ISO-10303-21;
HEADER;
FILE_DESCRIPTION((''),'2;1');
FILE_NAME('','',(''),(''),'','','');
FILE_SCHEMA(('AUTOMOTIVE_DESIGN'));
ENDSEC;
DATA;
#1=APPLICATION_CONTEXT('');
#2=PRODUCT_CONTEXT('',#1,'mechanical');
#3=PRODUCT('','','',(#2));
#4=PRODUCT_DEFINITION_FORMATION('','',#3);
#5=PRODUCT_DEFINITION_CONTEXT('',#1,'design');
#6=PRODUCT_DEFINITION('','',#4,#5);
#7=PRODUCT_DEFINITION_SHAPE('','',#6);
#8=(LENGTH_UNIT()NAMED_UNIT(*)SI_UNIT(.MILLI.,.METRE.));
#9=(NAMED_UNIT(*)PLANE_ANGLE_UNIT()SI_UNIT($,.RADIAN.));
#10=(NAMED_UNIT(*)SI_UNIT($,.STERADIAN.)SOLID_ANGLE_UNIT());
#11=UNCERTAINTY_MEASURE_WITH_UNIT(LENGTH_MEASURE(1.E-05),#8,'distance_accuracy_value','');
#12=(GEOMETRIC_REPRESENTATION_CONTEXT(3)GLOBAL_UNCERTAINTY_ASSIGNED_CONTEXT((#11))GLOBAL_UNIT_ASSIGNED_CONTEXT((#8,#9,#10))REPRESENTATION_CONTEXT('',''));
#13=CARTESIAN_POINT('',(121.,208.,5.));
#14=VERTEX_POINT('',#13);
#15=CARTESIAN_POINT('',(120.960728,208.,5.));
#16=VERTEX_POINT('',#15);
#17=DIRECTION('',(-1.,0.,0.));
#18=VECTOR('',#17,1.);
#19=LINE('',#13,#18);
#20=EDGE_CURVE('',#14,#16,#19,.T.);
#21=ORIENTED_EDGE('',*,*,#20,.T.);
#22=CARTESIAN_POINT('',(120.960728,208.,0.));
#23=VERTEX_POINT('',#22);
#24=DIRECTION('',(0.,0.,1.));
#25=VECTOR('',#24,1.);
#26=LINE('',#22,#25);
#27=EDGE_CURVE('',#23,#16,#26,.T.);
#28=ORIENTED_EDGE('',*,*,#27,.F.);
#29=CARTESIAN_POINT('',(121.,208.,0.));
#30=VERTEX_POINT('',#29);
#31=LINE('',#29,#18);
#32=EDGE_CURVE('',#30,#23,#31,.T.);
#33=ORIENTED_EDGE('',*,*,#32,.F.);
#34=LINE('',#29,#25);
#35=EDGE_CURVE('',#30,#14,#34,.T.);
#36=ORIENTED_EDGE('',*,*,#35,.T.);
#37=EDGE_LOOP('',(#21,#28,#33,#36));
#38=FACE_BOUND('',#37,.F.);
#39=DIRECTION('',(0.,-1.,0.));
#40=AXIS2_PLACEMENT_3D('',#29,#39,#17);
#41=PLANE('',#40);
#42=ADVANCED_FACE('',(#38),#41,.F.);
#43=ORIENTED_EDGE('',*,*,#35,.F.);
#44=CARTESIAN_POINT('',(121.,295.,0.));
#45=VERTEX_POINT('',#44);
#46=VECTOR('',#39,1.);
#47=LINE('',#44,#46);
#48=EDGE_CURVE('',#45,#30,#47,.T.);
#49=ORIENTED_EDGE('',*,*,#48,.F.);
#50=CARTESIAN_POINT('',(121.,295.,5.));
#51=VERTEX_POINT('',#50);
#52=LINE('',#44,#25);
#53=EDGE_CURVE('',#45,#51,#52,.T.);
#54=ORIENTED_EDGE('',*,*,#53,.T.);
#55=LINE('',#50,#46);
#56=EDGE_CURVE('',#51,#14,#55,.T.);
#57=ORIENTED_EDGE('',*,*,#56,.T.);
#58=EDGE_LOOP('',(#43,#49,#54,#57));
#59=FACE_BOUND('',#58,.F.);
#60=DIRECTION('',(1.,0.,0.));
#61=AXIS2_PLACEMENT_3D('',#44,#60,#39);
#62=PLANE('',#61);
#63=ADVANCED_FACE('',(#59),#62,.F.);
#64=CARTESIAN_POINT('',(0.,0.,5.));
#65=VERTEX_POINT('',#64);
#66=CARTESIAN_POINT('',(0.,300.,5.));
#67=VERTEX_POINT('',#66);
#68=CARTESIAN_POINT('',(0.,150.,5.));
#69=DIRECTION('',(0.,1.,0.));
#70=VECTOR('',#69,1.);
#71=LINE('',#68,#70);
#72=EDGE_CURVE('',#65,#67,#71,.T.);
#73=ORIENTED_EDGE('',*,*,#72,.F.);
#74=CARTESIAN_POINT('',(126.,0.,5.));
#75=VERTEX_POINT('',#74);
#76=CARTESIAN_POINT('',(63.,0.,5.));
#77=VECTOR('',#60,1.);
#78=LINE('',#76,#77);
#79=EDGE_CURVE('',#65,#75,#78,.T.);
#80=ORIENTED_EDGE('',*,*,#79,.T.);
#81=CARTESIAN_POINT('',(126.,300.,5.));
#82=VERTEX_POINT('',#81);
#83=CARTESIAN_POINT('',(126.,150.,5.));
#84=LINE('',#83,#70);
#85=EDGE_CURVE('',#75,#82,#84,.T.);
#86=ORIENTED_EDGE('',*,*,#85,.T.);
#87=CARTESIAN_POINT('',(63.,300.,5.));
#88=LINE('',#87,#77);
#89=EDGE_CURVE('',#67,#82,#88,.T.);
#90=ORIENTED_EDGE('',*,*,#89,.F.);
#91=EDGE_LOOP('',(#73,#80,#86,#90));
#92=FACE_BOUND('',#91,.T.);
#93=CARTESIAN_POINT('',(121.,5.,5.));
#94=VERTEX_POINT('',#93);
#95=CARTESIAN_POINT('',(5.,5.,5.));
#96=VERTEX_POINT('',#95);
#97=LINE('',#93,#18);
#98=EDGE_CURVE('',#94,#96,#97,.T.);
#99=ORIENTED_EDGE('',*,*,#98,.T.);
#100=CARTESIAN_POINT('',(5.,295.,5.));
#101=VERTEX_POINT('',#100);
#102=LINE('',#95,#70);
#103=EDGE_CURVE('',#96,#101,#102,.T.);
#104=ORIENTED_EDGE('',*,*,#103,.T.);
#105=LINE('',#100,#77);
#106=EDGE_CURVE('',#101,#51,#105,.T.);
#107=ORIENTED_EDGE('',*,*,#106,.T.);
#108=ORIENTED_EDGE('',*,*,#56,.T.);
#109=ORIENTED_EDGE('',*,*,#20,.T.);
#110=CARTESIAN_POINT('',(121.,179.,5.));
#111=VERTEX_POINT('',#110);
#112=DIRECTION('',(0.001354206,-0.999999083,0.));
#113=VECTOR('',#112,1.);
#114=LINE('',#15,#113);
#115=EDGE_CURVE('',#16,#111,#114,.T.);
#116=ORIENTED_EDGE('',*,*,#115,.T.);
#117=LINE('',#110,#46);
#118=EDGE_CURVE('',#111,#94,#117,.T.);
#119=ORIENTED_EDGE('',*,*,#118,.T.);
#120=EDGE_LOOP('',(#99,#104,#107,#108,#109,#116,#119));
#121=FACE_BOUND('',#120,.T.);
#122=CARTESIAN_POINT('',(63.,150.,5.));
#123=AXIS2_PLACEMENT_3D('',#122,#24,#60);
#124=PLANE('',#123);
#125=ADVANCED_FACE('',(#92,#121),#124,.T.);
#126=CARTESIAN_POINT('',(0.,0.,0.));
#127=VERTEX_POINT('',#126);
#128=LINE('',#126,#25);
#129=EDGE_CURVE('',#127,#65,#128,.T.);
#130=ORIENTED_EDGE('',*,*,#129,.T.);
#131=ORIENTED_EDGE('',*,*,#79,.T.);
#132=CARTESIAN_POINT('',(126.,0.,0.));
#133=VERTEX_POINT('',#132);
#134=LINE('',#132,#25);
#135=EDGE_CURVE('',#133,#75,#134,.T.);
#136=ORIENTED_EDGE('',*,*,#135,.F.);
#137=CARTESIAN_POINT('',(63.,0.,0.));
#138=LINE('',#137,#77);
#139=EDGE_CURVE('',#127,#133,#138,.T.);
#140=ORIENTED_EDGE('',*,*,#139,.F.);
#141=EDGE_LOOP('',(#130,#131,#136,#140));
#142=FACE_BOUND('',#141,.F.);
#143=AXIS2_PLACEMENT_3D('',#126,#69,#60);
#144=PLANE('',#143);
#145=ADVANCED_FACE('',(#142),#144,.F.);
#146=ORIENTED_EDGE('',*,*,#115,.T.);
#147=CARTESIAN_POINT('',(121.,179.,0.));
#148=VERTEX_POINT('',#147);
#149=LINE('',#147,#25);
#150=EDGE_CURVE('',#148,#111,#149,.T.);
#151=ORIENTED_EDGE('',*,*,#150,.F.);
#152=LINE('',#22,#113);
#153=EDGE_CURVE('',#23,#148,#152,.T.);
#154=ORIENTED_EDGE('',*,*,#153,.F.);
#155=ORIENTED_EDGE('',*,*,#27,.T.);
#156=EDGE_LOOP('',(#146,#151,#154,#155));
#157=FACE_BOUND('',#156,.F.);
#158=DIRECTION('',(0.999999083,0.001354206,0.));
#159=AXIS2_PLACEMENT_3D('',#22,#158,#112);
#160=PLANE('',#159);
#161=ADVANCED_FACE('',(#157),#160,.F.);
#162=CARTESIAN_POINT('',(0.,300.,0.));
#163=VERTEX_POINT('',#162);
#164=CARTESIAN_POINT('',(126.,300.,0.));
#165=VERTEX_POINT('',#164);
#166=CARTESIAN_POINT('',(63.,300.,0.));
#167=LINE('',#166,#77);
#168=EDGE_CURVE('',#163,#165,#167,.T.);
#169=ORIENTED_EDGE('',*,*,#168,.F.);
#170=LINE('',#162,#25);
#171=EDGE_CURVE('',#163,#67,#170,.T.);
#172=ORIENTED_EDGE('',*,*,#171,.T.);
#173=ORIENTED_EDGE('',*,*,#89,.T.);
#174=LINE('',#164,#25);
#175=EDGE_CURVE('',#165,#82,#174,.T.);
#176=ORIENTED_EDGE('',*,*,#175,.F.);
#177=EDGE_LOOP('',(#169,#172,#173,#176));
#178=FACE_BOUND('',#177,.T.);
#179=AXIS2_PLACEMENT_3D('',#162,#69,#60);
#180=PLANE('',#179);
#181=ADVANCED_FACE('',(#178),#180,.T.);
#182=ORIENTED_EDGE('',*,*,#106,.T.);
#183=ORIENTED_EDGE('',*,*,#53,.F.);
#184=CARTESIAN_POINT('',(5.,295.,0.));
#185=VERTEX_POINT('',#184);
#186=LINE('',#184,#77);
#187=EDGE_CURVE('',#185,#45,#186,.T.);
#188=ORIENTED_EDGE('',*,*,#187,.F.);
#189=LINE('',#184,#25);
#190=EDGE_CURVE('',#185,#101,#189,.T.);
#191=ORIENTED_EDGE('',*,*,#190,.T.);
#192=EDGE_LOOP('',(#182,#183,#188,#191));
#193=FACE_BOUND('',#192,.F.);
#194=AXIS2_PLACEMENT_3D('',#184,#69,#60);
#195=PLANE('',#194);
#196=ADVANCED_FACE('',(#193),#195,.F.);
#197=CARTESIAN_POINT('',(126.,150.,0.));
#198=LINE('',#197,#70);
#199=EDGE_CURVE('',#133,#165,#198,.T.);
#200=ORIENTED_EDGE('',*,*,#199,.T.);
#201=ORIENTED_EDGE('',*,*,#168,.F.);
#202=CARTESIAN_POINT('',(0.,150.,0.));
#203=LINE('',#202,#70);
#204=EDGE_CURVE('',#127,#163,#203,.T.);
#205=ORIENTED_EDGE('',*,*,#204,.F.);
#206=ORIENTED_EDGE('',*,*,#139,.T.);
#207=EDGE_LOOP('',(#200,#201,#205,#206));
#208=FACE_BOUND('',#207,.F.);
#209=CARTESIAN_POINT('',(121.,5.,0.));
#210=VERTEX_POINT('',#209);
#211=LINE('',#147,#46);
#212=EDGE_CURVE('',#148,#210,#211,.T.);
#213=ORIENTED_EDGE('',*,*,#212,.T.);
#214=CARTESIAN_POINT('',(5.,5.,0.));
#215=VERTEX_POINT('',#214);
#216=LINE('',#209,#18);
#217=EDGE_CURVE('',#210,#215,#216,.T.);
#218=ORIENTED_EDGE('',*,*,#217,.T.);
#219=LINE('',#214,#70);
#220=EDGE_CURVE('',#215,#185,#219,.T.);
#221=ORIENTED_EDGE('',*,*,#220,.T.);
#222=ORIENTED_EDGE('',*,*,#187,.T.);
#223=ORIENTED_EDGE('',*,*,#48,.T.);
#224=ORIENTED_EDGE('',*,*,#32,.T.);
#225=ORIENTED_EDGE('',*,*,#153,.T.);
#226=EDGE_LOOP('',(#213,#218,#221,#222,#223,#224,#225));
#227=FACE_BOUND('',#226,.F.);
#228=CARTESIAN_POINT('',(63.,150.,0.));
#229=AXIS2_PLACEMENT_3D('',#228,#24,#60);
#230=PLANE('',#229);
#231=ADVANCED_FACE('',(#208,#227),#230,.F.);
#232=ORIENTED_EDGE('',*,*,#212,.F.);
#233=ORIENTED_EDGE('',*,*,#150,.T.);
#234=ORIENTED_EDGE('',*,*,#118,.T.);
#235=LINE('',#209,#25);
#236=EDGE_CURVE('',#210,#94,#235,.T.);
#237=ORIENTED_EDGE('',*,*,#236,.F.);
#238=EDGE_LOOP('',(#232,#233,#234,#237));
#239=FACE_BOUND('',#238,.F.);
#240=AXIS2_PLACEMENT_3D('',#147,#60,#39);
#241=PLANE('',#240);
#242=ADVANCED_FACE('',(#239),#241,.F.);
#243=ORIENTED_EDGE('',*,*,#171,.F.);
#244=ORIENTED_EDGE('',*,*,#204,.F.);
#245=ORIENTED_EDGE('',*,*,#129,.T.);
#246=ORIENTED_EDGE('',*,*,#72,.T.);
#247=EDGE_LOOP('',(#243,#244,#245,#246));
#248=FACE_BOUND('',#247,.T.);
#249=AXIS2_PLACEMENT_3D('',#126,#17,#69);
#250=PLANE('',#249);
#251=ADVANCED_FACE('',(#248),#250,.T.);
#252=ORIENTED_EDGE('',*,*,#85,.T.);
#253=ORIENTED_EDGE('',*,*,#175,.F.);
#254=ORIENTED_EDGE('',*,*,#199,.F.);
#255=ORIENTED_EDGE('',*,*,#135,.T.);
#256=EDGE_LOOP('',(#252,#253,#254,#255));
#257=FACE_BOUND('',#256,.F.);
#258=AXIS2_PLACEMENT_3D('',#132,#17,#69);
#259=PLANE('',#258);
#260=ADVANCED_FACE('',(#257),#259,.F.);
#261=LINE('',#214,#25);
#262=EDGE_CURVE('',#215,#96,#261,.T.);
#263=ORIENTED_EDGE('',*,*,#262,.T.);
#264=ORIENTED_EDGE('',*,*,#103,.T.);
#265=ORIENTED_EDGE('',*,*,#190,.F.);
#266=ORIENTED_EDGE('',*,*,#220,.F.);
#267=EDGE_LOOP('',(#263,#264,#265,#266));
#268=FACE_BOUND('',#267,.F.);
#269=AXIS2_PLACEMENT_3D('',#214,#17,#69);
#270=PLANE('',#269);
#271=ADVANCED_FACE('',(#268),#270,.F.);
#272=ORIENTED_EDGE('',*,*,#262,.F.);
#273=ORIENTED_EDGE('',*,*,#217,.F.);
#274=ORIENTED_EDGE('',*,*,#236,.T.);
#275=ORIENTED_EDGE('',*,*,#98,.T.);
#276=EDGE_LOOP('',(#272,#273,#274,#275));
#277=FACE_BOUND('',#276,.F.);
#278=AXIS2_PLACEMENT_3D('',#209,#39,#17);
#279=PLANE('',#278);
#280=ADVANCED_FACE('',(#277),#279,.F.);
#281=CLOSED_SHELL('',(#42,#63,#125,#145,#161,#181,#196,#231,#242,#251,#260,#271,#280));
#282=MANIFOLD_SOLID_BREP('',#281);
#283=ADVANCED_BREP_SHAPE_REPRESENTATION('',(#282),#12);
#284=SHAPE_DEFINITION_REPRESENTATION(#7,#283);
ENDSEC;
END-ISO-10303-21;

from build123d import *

# Parameters (mm, degrees)
F0_W     = 126
F0_H     = 300
F1_DEPTH = 5


with BuildPart() as f1:
    # F0 (on Top) → F1 (new body)
    with BuildSketch(Plane.XY):
        with Locations((63, 150)):
            Rectangle(F0_W, F0_H)
        Polygon((34, 5), (5, 5), (5, 34), (5, 63), (5, 92), (5, 121), (5, 150), (5, 179), (5, 208), (5, 237), (5, 266), (5, 295), (34, 295), (63, 295), (92, 295), (121, 295), (121, 266), (121, 237), (121, 208), (120.960728, 208), (121, 179), (121, 150), (121, 121), (121, 92), (121, 63), (121, 34), (121, 5), (92, 5), (63, 5), align=None, mode=Mode.SUBTRACT)
    extrude(amount=F1_DEPTH)


solid = f1.part
